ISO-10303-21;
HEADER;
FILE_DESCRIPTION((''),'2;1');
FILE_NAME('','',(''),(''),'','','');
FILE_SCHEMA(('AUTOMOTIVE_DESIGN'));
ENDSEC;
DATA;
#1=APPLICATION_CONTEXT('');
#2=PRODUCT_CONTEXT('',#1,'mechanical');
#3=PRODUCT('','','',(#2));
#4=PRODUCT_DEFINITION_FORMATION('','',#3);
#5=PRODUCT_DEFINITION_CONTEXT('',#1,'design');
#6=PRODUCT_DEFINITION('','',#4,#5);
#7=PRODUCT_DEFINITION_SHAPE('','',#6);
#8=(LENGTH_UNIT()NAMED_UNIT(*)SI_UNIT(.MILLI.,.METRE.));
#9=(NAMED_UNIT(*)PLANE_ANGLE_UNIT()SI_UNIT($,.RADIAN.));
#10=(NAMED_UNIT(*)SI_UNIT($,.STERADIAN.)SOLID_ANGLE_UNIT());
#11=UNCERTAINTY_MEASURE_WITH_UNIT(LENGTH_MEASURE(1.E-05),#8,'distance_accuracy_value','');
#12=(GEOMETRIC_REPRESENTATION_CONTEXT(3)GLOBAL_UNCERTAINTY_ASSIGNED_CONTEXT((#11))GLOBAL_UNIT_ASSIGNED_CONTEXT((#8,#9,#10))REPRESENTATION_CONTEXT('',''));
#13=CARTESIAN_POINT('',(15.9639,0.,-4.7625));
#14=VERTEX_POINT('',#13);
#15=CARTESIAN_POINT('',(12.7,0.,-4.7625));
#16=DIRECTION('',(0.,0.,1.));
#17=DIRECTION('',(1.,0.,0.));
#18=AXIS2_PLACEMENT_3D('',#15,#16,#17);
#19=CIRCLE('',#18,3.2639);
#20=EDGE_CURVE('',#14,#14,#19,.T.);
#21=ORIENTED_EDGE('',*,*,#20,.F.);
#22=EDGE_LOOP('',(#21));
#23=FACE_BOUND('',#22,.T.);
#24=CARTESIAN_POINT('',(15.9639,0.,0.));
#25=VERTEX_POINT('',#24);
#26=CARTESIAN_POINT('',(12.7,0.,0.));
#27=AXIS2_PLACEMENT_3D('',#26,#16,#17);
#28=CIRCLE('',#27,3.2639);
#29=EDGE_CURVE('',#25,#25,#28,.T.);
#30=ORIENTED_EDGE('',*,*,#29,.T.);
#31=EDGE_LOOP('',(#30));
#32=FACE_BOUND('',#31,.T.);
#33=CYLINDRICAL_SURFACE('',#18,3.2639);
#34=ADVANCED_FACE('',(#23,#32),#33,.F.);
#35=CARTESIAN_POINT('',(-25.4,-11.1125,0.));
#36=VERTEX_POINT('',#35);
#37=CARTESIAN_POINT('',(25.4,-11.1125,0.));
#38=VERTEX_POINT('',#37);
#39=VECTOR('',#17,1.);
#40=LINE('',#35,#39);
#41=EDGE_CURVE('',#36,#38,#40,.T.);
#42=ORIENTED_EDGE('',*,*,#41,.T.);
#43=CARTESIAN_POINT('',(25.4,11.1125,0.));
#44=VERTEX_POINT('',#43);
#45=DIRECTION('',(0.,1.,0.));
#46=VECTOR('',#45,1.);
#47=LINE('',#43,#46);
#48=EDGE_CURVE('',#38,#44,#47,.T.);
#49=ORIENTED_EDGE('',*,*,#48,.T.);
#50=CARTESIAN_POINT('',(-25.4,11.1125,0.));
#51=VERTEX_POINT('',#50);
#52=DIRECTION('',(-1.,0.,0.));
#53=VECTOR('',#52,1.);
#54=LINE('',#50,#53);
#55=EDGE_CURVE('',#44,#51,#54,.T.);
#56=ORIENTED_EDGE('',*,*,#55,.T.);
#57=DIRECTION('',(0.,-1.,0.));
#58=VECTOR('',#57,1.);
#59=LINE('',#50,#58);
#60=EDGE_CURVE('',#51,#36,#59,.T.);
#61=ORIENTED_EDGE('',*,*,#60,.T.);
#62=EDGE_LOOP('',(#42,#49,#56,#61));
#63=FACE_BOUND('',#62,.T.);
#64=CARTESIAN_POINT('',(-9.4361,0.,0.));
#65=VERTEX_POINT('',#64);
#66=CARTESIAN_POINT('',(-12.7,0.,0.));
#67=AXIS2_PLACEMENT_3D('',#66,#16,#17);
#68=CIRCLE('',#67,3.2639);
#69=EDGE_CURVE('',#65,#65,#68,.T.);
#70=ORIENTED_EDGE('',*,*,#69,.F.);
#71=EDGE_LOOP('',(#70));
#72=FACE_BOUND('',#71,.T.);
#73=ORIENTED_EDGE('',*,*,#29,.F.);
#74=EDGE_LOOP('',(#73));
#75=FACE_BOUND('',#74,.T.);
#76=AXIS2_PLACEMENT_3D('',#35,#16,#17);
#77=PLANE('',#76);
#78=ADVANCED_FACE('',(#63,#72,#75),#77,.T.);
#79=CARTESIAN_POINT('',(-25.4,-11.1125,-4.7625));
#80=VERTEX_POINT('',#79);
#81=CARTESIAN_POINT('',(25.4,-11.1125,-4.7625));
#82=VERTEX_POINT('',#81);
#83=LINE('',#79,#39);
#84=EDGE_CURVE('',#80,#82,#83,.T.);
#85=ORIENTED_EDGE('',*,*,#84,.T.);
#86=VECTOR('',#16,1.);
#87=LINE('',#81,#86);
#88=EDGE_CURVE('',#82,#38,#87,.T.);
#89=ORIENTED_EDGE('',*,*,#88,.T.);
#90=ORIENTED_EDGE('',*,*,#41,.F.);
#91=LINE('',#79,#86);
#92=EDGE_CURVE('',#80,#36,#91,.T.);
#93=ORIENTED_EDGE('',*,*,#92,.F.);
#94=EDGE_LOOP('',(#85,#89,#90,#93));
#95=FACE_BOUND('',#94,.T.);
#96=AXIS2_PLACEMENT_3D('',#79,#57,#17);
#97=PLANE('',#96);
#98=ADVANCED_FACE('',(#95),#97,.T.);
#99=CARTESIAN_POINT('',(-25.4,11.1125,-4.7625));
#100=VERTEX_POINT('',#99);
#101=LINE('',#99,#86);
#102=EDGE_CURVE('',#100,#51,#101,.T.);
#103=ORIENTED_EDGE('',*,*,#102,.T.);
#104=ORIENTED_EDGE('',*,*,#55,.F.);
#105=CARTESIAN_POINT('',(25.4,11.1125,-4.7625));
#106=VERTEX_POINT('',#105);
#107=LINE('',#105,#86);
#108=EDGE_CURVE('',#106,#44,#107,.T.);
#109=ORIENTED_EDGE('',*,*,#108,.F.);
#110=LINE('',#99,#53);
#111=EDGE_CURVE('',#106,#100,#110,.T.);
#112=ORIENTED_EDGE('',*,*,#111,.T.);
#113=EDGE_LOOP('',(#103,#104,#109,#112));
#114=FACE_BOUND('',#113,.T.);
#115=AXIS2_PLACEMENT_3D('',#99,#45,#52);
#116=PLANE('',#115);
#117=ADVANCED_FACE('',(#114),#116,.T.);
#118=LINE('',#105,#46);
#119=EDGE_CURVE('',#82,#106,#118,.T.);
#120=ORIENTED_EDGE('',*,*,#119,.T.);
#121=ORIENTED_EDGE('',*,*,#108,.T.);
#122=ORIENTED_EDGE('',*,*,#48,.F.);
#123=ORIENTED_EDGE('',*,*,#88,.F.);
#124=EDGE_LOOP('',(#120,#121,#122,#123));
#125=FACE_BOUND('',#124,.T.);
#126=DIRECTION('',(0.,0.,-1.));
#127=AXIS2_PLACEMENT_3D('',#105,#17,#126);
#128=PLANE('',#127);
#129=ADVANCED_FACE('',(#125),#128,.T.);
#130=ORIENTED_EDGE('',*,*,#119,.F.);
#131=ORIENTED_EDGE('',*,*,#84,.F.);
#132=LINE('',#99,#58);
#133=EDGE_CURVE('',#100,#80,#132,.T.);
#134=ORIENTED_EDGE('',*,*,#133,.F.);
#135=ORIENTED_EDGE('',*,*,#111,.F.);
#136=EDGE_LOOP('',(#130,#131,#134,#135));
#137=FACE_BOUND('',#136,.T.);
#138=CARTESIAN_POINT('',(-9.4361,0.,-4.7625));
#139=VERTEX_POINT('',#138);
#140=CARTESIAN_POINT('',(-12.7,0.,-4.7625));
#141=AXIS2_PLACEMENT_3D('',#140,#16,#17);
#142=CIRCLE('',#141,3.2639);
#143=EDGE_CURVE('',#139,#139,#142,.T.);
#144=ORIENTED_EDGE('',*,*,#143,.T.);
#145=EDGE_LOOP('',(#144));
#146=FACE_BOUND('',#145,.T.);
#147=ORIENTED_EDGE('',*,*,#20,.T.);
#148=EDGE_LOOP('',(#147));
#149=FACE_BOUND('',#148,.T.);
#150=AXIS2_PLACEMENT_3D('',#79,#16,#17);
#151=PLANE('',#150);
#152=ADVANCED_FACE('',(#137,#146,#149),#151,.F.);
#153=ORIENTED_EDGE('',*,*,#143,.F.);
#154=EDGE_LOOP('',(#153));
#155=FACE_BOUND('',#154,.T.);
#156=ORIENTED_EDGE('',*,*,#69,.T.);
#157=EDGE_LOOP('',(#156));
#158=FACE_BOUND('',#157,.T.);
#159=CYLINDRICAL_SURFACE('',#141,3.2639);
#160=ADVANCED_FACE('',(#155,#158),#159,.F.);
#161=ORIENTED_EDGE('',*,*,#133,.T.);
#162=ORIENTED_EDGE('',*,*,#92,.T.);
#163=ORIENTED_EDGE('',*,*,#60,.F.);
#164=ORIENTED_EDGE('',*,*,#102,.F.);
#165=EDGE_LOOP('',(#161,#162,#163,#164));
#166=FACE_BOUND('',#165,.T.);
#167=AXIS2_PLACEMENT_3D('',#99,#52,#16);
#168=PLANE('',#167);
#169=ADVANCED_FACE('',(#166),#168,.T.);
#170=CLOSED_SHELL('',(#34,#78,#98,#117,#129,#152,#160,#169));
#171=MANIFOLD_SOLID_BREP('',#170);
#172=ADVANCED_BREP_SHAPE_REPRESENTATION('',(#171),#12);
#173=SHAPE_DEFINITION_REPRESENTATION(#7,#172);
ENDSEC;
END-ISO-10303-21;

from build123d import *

# Parameters (mm, degrees)
SKETCH1_W      = 50.8
SKETCH1_H      = 22.225
SKETCH1_R      = 3.2639
EXTRUDE1_DEPTH = 4.7625


with BuildPart() as part:
    # Sketch1 → Extrude1 (new body)
    with BuildSketch(Plane.XY):
        Rectangle(SKETCH1_W, SKETCH1_H)
        with Locations((12.7, 0)):
            Circle(SKETCH1_R, mode=Mode.SUBTRACT)
        with Locations((-12.7, 0)):
            Circle(SKETCH1_R, mode=Mode.SUBTRACT)
    extrude(amount=-EXTRUDE1_DEPTH)


solid = part.part
